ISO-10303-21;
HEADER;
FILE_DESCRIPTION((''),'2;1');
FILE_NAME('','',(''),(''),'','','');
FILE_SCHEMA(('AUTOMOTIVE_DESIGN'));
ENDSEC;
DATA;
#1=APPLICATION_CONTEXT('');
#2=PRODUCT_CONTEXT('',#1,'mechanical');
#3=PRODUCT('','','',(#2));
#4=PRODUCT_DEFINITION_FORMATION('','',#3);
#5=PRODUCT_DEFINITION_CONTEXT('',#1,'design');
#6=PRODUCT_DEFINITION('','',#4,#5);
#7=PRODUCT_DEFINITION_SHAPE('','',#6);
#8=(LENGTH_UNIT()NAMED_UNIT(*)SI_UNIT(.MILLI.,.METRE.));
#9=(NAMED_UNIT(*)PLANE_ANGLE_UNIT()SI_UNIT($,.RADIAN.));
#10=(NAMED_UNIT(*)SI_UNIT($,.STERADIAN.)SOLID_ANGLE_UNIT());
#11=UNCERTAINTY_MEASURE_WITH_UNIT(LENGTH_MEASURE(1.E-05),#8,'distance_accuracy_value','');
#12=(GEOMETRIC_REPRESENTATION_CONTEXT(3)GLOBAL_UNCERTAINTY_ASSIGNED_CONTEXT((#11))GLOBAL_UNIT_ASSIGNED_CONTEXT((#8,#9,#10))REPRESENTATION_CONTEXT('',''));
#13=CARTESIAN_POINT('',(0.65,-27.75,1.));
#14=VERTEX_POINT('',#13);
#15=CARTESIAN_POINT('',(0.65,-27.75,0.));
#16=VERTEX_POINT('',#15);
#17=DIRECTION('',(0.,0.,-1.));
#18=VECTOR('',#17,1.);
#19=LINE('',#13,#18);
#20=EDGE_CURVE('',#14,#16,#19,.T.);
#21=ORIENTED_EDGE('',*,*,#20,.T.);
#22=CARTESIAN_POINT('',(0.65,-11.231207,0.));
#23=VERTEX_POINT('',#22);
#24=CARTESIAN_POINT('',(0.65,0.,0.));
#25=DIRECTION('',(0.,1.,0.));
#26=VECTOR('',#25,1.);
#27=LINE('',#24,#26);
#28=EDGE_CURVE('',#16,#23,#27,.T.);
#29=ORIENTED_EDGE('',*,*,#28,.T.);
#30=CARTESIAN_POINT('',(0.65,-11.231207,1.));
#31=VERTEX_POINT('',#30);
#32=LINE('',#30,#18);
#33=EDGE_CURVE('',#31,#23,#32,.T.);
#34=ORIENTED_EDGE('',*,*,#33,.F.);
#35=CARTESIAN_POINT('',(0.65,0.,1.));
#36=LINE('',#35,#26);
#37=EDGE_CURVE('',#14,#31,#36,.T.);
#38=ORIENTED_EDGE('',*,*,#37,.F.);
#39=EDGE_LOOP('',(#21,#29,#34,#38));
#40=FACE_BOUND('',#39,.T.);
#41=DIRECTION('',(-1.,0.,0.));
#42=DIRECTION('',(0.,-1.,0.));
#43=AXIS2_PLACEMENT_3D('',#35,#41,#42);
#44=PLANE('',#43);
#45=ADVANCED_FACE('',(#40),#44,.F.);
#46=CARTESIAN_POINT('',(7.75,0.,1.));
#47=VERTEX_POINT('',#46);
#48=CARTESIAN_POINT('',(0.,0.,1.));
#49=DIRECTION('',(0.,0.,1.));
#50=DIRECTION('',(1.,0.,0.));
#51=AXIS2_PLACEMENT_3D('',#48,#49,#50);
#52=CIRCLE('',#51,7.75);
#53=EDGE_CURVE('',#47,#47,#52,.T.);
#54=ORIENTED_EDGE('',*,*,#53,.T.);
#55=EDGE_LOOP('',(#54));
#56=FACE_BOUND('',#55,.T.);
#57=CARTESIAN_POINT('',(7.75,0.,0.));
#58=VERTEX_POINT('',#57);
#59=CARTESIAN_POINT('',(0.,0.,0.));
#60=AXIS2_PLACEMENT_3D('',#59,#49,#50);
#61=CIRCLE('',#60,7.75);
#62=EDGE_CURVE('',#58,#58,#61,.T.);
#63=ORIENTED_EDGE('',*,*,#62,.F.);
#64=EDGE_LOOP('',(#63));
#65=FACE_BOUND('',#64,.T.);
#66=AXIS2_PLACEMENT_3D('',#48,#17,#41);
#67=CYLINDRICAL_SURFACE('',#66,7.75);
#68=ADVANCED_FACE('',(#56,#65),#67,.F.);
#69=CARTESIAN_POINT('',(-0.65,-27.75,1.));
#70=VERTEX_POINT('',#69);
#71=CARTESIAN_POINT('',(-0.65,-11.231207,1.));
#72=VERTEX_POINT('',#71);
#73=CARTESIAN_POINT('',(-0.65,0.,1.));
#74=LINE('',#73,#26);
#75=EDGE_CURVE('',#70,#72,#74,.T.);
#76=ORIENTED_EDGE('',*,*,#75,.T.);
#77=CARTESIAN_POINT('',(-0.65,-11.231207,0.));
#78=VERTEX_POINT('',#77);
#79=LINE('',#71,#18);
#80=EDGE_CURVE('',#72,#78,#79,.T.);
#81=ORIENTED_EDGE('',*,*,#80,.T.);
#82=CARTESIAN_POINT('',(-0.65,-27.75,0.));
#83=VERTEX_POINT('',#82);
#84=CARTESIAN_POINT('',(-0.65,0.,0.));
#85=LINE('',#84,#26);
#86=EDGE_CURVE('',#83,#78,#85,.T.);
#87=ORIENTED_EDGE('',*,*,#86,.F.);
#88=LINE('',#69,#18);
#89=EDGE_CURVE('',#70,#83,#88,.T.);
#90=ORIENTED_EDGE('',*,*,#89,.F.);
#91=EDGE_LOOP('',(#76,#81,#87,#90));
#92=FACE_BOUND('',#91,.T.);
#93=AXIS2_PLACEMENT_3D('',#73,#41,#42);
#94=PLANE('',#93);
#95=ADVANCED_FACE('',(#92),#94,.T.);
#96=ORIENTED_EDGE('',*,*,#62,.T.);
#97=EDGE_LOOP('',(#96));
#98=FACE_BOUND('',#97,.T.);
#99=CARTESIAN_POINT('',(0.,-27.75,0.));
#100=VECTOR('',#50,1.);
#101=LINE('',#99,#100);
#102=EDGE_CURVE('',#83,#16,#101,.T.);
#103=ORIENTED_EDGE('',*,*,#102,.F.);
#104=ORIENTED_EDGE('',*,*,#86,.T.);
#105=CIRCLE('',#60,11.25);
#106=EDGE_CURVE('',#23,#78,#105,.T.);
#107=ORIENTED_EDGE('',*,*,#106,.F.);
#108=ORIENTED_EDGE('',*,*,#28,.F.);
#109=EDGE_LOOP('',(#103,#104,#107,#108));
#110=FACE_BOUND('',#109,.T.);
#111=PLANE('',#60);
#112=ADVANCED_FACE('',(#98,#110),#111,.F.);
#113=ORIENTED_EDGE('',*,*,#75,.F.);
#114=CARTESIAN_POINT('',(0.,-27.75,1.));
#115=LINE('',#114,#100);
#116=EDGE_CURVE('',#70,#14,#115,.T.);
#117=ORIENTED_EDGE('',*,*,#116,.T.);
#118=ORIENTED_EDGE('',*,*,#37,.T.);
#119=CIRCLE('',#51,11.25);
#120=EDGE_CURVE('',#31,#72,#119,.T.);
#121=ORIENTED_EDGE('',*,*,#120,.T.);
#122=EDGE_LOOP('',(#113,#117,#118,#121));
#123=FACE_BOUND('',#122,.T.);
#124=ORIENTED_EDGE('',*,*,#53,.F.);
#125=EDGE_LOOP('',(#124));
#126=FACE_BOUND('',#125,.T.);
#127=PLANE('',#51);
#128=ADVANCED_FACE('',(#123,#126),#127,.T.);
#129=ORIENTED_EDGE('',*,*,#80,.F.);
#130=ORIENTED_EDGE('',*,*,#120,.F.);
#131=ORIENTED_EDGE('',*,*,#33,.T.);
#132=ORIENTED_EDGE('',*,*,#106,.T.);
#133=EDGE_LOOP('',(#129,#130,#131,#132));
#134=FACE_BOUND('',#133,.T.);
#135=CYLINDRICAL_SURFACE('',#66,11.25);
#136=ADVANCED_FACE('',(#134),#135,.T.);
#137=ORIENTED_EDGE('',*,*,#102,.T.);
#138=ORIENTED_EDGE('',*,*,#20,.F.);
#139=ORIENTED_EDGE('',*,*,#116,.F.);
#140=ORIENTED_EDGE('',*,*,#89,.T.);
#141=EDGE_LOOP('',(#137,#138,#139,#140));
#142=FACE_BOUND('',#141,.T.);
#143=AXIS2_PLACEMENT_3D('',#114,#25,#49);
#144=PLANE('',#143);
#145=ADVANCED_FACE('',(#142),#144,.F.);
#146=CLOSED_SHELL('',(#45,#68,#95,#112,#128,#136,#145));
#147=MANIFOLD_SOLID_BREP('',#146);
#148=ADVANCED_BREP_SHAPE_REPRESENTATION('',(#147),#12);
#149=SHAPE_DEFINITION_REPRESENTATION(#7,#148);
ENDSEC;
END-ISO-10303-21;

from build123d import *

# Parameters (mm, degrees)
BOSS_EXTRUDE1_DEPTH = 1


with BuildPart() as part:
    # Sketch1 → Boss-Extrude1 (new body)
    # profile 1 of 5: a face of its own
    with BuildSketch(Plane.XY):
        with BuildLine():
            Line((-0.65, -7.75), (0, -7.75))
            Line((0, -7.75), (0.65, -7.75))
            Line((0.65, -7.75), (0.65, -11.231206525))
            ThreePointArc((0.65, -11.231206525), (8.181534086, -7.721722606), (11.25, 0))
            ThreePointArc((11.25, 0), (-7.721722606, 8.181534086), (-0.65, -11.231206525))
            Line((-0.65, -11.231206525), (-0.65, -7.75))
        make_face()
        with BuildLine():
            ThreePointArc((7.75, 0), (5.480077554, -5.480077554), (0, -7.75))
            ThreePointArc((0, -7.75), (-5.480077554, 5.480077554), (7.75, 0))
        make_face(mode=Mode.SUBTRACT)
    # profile 2 of 5: a face of its own
    with BuildSketch(Plane.XY):
        with BuildLine():
            Line((0.65, -7.75), (0, -7.75))
            Line((0, -7.75), (0, -11.25))
            ThreePointArc((0, -11.25), (0.325135816, -11.24530065), (0.65, -11.231206525))
            Line((0.65, -11.231206525), (0.65, -7.75))
        make_face()
    # profile 3 of 5: a face of its own
    with BuildSketch(Plane.XY):
        with BuildLine():
            Line((0, -11.25), (0, -7.75))
            Line((0, -7.75), (-0.65, -7.75))
            Line((-0.65, -7.75), (-0.65, -11.231206525))
            ThreePointArc((-0.65, -11.231206525), (-0.325135816, -11.24530065), (0, -11.25))
        make_face()
    # profile 4 of 5: a face of its own
    with BuildSketch(Plane.XY):
        with BuildLine():
            Line((0, -27.75), (0, -11.25))
            ThreePointArc((0, -11.25), (-0.325135816, -11.24530065), (-0.65, -11.231206525))
            Line((-0.65, -11.231206525), (-0.65, -27.75))
            Line((-0.65, -27.75), (0, -27.75))
        make_face()
    # profile 5 of 5: a face of its own
    with BuildSketch(Plane.XY):
        with BuildLine():
            ThreePointArc((0.65, -11.231206525), (0.325135816, -11.24530065), (0, -11.25))
            Line((0, -11.25), (0, -27.75))
            Line((0, -27.75), (0.65, -27.75))
            Line((0.65, -27.75), (0.65, -11.231206525))
        make_face()
    extrude(amount=BOSS_EXTRUDE1_DEPTH)


solid = part.part
